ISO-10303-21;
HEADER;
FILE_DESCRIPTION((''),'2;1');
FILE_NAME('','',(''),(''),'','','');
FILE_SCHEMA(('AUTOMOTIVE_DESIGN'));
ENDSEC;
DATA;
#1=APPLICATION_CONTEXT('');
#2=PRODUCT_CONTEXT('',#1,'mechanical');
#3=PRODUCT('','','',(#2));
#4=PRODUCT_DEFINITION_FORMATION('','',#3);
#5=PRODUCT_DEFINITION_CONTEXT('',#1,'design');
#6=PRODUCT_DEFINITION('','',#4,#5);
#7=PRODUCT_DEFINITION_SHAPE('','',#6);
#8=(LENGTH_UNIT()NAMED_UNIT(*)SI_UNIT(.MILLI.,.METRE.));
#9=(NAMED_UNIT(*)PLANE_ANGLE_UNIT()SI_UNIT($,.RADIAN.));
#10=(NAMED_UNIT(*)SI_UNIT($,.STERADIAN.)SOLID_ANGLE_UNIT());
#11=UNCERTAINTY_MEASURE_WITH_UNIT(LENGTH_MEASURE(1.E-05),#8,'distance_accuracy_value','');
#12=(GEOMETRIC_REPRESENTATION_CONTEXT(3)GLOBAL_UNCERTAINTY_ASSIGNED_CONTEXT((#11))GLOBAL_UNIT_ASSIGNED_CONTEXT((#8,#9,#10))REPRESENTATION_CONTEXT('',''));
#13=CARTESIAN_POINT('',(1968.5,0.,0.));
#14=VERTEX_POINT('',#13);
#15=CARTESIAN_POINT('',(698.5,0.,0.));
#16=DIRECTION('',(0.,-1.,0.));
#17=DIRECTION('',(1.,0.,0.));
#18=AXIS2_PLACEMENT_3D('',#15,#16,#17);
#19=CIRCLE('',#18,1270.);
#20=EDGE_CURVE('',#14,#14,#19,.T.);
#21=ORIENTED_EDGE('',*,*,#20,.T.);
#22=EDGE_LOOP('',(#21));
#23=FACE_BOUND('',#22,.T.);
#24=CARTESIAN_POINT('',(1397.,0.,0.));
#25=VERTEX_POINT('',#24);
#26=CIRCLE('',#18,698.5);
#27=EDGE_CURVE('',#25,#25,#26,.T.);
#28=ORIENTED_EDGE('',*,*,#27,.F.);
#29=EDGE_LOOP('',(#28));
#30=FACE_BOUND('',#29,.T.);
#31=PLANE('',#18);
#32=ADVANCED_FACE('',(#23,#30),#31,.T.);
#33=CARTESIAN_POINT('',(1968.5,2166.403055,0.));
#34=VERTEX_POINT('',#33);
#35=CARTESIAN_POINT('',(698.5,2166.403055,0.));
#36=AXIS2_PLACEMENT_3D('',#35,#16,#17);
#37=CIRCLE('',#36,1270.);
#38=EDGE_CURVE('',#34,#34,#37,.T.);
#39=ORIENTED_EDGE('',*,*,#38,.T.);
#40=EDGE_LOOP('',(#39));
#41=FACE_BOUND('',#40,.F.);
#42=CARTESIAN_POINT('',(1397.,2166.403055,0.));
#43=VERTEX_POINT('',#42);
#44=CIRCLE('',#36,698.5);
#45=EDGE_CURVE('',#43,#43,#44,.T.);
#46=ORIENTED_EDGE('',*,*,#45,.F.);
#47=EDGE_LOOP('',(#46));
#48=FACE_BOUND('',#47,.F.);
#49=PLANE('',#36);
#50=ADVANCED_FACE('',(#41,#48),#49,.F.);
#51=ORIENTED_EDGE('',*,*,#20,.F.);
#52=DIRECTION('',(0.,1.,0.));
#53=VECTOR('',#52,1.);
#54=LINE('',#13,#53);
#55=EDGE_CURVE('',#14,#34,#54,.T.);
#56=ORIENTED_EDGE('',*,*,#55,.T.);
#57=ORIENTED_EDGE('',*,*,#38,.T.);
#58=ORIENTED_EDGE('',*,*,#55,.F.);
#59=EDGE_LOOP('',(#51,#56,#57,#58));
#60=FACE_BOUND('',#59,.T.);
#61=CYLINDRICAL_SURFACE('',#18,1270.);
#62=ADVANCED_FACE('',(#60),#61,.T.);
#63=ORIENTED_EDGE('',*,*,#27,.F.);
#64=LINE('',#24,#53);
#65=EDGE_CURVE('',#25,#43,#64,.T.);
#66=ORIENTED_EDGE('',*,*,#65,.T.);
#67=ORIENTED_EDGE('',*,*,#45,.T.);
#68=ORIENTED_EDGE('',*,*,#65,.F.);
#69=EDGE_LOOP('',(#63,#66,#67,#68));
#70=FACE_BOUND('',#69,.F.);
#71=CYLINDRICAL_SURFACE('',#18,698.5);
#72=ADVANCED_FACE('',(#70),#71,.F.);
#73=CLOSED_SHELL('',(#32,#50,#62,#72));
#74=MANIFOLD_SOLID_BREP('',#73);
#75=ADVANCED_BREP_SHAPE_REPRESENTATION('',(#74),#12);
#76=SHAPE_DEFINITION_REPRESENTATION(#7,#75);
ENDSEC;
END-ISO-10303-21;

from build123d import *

# Parameters (mm, degrees)
F0_R     = 1270
F0_R_2   = 698.5
F1_DEPTH = 2166.403055


with BuildPart() as f1:
    # F0 (on Front) → F1 (new body)
    with BuildSketch(Plane.XZ):
        with Locations((698.5, 0)):
            Circle(F0_R)
        with Locations((698.5, 0)):
            Circle(F0_R_2, mode=Mode.SUBTRACT)
    extrude(amount=-F1_DEPTH)


solid = f1.part
